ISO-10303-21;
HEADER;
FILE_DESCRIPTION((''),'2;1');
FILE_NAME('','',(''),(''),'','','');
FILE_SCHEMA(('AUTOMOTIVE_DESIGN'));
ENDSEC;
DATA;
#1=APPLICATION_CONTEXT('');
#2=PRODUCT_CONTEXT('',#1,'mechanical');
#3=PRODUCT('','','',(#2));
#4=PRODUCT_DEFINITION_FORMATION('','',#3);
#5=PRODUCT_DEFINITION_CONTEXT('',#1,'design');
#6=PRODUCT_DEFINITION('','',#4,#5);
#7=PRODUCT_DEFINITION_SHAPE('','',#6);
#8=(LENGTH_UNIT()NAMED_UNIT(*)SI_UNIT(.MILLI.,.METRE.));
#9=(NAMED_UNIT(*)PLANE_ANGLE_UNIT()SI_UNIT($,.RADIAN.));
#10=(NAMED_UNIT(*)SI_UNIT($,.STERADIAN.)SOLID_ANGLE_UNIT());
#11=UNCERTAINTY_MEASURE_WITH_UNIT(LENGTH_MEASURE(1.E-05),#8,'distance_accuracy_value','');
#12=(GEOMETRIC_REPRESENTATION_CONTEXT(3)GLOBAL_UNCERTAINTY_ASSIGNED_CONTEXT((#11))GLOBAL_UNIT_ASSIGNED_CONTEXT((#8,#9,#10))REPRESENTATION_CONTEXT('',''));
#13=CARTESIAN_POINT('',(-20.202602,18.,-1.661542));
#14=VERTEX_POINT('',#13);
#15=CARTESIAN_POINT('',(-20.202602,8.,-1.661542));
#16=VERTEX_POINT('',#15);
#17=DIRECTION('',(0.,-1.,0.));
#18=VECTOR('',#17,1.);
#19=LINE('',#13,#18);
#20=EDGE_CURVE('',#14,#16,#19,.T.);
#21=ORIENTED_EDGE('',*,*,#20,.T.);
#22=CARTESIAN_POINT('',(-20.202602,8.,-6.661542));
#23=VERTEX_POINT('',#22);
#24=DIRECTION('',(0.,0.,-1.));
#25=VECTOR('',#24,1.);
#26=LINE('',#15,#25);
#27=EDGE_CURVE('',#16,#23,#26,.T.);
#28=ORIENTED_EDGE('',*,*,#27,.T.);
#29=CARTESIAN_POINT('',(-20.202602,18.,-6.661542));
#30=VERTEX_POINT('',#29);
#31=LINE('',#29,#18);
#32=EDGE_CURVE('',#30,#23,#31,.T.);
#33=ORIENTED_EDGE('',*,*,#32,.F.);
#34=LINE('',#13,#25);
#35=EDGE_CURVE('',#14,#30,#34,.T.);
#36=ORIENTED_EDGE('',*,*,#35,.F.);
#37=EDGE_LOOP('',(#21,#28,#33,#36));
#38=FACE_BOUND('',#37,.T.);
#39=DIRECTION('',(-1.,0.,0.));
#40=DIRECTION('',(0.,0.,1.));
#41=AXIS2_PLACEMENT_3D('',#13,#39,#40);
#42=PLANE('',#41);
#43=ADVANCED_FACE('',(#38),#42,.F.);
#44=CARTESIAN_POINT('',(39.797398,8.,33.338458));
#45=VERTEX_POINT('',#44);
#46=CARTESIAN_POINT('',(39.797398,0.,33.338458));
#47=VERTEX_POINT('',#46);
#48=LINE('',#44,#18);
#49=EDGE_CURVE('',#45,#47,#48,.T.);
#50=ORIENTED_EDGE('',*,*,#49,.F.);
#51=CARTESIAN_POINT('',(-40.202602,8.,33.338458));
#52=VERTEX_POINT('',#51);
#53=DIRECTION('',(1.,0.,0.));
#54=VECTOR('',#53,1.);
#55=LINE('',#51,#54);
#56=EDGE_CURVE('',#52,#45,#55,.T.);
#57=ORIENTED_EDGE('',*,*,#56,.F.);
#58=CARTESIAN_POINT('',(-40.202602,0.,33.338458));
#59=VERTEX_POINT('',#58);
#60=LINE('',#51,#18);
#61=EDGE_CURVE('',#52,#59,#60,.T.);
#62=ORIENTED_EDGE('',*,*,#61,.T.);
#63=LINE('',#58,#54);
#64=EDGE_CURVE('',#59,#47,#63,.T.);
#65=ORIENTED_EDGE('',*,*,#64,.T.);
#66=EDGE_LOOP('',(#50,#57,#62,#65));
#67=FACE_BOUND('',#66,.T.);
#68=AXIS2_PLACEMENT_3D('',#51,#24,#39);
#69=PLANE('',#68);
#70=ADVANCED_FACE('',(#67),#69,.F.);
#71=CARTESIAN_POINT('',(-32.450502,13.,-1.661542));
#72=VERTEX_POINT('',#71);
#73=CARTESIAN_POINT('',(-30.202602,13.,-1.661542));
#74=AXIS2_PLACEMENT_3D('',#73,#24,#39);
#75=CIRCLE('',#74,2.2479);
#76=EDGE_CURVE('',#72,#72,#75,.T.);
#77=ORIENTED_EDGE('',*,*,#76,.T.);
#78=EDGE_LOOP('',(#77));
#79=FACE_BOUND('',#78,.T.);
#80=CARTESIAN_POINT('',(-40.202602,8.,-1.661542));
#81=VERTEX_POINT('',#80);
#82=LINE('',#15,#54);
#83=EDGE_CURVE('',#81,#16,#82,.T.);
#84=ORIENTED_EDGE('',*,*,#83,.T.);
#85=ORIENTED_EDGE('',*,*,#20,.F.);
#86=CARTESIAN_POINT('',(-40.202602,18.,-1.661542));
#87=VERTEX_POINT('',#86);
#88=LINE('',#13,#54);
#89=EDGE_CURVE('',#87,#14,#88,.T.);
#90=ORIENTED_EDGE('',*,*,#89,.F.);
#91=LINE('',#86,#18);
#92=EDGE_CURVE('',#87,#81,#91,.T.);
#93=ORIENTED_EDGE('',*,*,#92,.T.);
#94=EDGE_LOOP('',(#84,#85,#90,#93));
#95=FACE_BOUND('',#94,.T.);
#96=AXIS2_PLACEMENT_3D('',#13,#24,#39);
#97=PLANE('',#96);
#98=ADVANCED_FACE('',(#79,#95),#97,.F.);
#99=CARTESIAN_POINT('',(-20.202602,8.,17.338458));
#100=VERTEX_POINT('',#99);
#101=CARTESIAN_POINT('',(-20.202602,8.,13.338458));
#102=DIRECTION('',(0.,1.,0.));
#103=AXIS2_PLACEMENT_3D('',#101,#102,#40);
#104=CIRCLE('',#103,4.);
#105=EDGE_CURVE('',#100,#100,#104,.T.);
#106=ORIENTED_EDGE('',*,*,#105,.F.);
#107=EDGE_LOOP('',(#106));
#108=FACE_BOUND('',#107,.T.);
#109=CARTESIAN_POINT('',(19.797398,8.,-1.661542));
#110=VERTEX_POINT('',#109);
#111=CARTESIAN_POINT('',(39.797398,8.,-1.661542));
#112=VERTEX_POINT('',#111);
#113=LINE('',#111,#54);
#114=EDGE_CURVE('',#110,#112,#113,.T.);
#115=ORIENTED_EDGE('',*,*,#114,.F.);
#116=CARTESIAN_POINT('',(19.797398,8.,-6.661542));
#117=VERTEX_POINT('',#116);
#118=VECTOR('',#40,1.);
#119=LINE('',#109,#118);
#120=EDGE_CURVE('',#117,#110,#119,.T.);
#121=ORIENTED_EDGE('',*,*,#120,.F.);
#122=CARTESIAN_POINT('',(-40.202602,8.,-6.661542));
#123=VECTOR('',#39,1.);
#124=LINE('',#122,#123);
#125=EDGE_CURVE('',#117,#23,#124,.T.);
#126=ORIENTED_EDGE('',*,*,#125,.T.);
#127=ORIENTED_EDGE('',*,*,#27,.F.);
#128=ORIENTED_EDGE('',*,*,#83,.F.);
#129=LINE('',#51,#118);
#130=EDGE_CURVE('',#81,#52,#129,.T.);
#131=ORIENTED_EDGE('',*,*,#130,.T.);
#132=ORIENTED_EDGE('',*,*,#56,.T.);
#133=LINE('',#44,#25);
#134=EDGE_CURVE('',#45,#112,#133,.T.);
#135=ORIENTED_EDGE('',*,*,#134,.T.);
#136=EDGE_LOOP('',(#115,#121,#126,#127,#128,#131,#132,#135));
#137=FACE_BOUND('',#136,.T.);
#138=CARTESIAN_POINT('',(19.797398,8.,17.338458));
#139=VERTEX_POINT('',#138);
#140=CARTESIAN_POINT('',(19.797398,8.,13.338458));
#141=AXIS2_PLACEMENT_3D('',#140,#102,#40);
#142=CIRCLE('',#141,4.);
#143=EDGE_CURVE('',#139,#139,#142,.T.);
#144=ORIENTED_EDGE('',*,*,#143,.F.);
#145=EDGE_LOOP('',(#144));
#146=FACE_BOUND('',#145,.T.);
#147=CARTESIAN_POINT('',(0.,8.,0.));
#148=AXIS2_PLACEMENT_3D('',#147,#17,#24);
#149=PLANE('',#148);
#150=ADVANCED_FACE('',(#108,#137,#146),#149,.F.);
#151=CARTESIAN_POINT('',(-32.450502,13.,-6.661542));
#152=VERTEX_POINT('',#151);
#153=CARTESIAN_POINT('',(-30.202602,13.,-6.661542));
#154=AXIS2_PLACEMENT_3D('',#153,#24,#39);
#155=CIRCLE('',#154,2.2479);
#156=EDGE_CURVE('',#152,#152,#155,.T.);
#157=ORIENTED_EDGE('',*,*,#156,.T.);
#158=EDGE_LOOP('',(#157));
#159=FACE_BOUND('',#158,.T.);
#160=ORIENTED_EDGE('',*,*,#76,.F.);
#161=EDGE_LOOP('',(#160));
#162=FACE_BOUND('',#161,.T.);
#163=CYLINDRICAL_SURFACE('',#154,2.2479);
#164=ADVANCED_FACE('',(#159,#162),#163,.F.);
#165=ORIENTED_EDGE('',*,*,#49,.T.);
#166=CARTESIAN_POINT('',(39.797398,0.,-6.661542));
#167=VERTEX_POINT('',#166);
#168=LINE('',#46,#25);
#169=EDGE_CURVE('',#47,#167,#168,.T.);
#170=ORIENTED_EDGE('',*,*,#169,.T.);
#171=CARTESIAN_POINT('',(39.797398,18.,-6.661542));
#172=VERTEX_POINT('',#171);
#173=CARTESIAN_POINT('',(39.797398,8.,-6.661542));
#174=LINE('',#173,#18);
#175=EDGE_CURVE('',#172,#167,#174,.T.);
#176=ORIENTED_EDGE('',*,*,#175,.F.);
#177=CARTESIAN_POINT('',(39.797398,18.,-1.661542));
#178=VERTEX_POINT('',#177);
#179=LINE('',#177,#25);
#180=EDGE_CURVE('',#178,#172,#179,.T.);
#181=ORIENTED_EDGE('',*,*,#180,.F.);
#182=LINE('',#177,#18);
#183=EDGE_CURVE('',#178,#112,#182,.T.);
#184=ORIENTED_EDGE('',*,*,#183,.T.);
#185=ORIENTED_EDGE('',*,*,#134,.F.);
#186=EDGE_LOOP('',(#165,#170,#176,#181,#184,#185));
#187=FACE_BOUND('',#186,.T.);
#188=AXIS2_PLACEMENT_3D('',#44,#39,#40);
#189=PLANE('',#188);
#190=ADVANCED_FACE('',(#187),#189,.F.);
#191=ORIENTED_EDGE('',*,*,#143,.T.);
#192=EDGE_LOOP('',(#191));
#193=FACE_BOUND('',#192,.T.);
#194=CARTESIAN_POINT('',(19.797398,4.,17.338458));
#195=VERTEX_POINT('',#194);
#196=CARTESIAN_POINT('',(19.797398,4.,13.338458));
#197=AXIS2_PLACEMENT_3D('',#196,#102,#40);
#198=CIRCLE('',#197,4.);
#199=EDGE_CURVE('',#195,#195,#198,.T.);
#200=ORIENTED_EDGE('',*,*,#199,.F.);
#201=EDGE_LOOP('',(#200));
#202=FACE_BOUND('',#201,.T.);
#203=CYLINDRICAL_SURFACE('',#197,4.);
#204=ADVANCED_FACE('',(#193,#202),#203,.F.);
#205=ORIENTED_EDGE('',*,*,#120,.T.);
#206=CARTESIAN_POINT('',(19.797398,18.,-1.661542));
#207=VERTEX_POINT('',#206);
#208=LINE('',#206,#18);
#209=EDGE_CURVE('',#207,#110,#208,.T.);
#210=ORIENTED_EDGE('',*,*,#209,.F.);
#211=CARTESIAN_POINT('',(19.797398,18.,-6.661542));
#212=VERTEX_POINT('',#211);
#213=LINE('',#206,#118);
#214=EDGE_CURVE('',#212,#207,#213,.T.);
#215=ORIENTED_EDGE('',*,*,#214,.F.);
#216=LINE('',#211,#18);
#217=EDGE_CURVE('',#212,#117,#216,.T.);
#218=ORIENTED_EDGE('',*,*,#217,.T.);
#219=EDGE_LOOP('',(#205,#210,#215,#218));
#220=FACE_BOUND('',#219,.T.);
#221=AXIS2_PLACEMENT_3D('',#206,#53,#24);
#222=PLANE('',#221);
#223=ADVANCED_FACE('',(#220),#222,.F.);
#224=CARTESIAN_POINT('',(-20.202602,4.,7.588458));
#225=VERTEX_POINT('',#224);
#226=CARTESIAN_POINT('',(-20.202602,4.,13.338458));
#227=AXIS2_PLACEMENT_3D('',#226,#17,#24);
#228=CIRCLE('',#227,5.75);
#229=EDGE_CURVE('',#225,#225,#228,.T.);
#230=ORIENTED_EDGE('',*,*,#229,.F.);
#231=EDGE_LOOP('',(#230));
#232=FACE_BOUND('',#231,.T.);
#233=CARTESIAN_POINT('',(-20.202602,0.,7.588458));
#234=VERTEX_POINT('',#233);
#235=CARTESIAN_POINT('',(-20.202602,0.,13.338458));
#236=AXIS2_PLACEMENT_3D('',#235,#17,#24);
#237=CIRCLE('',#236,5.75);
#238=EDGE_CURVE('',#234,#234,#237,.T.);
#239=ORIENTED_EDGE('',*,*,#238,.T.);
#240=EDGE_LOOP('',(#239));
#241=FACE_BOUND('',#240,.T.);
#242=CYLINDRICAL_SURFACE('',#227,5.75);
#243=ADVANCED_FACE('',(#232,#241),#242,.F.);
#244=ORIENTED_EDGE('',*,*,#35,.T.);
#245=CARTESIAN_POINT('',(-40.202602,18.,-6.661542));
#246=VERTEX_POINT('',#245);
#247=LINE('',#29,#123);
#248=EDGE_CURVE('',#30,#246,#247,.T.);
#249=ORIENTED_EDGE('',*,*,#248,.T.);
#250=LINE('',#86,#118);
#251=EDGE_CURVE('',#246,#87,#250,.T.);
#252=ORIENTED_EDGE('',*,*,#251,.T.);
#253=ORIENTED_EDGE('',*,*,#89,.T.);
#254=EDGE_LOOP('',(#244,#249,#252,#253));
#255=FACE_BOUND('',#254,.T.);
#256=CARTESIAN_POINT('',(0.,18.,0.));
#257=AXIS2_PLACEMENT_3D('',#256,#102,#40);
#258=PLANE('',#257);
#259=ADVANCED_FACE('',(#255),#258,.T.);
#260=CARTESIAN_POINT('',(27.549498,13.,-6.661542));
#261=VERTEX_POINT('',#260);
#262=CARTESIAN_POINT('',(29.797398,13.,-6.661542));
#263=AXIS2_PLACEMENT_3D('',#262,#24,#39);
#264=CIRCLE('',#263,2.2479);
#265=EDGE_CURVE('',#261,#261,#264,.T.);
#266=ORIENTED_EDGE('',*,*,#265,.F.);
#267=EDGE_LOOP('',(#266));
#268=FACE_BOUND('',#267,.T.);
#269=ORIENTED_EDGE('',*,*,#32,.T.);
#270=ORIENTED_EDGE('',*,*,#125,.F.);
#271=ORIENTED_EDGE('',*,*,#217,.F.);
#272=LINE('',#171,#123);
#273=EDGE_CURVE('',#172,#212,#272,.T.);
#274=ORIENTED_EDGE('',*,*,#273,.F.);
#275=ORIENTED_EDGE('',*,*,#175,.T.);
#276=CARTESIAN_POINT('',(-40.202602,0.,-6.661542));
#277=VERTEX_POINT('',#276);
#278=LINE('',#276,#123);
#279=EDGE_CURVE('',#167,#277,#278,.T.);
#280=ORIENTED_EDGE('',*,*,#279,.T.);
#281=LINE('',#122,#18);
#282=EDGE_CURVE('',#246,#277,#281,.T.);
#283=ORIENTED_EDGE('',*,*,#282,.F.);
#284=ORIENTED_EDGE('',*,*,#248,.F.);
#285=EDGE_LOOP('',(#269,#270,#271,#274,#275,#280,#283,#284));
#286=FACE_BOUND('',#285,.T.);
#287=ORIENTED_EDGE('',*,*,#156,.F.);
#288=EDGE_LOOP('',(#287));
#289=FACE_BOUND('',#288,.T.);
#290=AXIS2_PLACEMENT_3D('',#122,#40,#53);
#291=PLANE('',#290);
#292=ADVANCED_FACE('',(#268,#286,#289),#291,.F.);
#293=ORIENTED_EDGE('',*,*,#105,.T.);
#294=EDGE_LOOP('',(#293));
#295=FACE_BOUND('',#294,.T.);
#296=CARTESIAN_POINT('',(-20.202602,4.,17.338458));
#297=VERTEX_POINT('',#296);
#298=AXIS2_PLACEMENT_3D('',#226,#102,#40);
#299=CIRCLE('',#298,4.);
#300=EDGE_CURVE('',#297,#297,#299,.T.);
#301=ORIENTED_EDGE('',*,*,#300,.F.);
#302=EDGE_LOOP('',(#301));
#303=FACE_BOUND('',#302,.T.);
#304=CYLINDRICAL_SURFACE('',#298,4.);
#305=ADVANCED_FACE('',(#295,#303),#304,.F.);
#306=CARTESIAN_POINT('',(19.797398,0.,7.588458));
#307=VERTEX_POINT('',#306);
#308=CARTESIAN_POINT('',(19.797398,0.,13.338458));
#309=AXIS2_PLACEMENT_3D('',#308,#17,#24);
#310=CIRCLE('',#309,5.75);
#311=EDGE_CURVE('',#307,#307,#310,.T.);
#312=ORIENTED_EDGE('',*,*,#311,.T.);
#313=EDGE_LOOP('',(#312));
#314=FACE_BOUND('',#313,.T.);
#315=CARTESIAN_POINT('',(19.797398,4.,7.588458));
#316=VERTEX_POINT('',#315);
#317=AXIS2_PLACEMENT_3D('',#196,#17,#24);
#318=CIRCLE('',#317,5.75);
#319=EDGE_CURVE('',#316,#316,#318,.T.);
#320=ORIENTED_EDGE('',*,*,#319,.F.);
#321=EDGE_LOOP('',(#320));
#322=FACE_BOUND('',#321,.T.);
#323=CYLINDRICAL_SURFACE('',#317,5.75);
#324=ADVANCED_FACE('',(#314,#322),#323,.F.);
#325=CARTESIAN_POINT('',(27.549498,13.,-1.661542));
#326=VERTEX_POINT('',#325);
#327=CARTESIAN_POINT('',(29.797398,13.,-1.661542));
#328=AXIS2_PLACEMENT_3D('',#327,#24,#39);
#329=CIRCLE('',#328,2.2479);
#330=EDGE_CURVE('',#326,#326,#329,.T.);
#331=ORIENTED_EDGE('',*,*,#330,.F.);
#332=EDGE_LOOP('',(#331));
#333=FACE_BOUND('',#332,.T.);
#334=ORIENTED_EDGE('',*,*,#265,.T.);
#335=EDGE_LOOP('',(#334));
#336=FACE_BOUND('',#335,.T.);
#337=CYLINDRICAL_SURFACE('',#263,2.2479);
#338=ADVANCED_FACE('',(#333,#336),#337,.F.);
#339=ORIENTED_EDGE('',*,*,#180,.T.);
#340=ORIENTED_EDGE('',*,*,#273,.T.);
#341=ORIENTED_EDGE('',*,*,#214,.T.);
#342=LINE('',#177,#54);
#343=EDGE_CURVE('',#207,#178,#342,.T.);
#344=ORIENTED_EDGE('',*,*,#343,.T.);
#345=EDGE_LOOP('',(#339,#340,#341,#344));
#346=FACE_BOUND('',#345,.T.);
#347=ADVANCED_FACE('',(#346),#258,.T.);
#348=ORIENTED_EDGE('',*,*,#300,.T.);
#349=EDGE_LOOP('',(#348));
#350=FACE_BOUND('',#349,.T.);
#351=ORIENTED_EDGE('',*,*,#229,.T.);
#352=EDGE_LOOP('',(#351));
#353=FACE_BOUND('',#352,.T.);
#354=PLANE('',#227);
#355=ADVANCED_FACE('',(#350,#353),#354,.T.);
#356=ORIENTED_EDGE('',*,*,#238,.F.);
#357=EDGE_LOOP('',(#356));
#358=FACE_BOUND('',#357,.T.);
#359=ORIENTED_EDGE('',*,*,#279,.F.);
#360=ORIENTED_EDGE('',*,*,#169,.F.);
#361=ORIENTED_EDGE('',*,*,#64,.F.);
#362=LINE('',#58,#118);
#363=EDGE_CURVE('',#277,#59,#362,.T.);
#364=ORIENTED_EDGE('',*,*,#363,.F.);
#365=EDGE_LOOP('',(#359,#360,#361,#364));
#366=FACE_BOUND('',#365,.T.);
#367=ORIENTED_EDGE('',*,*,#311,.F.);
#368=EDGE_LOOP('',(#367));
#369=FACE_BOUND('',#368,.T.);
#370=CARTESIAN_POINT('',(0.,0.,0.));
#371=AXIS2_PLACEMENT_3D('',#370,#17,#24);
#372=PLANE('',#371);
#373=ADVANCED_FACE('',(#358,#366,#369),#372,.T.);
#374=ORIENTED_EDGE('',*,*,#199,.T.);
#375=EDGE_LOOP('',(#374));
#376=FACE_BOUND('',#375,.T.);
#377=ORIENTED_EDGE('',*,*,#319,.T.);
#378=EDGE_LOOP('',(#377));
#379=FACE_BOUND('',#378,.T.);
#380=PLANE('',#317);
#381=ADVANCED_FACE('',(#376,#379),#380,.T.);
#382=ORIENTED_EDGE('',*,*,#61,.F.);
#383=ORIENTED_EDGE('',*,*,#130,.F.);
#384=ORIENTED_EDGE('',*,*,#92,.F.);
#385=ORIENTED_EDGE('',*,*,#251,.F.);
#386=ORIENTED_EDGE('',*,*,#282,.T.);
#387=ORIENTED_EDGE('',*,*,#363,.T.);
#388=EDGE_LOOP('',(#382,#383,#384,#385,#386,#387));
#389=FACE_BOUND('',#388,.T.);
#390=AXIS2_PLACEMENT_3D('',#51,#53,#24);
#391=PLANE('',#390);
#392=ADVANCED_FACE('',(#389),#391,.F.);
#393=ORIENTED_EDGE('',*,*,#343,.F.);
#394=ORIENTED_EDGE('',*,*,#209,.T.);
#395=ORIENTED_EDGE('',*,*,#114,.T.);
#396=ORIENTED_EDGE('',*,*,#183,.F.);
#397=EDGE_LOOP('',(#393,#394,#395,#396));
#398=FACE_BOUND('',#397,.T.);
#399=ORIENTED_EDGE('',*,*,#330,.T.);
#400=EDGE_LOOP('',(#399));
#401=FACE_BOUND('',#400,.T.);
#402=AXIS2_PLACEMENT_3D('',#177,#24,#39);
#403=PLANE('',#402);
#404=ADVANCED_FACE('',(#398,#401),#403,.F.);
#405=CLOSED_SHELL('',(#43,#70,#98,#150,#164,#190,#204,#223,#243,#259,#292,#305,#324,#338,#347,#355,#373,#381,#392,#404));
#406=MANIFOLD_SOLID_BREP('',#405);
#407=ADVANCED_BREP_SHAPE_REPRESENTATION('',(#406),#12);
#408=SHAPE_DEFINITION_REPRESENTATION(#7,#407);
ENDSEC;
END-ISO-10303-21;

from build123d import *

# Parameters (mm, degrees)
SKETCH1_W                 = 80
SKETCH1_H                 = 40
BOSS_EXTRUDE1_DEPTH       = 8
SKETCH2_R                 = 4
CUT_EXTRUDE1_DEPTH        = 4
SKETCH3_W                 = 20
SKETCH3_H                 = 5
BOSS_EXTRUDE2_DEPTH       = 10
SKETCH5_R                 = 5.75
CUT_EXTRUDE3_DEPTH        = 4
F_8_CLEARANCE_HOLE1_D     = 4.4958
F_8_CLEARANCE_HOLE1_DEPTH = 5
F_8_CLEARANCE_HOLE1_TIP   = 1.350674586


with BuildPart() as part:
    # Sketch1 → Boss-Extrude1 (new body)
    with BuildSketch(Plane(origin=(0, 0, 0), x_dir=(1, 0, 0), z_dir=(0, 1, 0))):
        with Locations((-0.202602356, -13.338458494)):
            Rectangle(SKETCH1_W, SKETCH1_H)
    extrude(amount=BOSS_EXTRUDE1_DEPTH)

    # Sketch2 → Cut-Extrude1 (cut)
    with BuildSketch(Plane(origin=(0, 8, 0), x_dir=(1, 0, 0), z_dir=(0, 1, 0))):
        with Locations((19.797397644, -13.338458494)):
            Circle(SKETCH2_R)
        with Locations((-20.202602356, -13.338458494)):
            Circle(SKETCH2_R)
    extrude(amount=-CUT_EXTRUDE1_DEPTH, mode=Mode.SUBTRACT)

    # Sketch3 → Boss-Extrude2 (add)
    with BuildSketch(Plane(origin=(0, 8, 0), x_dir=(1, 0, 0), z_dir=(0, 1, 0))):
        with Locations((29.797397644, 4.161541506)):
            Rectangle(SKETCH3_W, SKETCH3_H)
        with Locations((-30.202602356, 4.161541506)):
            Rectangle(SKETCH3_W, SKETCH3_H)
    extrude(amount=BOSS_EXTRUDE2_DEPTH)

    # Sketch5 → Cut-Extrude3 (cut)
    with BuildSketch(Plane(origin=(0, 0, 0), x_dir=(-1, 0, 0), z_dir=(0, -1, 0))):
        with Locations((20.202602356, -13.338458494)):
            Circle(SKETCH5_R)
        with Locations((-19.797397644, -13.338458494)):
            Circle(SKETCH5_R)
    extrude(amount=-CUT_EXTRUDE3_DEPTH, mode=Mode.SUBTRACT)

    # #8 Clearance Hole1
    with Locations(Plane(origin=(29.797397644, 13, -6.661541506), x_dir=(-1, 0, 0), z_dir=(0, 0, -1))):
        with Locations((0, 0), (60, 0)):
            Hole(F_8_CLEARANCE_HOLE1_D / 2, depth=F_8_CLEARANCE_HOLE1_DEPTH)
            with Locations((0, 0, -(F_8_CLEARANCE_HOLE1_DEPTH + F_8_CLEARANCE_HOLE1_TIP / 2))):  # 118° drill point
                Cone(0, F_8_CLEARANCE_HOLE1_D / 2, F_8_CLEARANCE_HOLE1_TIP, mode=Mode.SUBTRACT)


solid = part.part
